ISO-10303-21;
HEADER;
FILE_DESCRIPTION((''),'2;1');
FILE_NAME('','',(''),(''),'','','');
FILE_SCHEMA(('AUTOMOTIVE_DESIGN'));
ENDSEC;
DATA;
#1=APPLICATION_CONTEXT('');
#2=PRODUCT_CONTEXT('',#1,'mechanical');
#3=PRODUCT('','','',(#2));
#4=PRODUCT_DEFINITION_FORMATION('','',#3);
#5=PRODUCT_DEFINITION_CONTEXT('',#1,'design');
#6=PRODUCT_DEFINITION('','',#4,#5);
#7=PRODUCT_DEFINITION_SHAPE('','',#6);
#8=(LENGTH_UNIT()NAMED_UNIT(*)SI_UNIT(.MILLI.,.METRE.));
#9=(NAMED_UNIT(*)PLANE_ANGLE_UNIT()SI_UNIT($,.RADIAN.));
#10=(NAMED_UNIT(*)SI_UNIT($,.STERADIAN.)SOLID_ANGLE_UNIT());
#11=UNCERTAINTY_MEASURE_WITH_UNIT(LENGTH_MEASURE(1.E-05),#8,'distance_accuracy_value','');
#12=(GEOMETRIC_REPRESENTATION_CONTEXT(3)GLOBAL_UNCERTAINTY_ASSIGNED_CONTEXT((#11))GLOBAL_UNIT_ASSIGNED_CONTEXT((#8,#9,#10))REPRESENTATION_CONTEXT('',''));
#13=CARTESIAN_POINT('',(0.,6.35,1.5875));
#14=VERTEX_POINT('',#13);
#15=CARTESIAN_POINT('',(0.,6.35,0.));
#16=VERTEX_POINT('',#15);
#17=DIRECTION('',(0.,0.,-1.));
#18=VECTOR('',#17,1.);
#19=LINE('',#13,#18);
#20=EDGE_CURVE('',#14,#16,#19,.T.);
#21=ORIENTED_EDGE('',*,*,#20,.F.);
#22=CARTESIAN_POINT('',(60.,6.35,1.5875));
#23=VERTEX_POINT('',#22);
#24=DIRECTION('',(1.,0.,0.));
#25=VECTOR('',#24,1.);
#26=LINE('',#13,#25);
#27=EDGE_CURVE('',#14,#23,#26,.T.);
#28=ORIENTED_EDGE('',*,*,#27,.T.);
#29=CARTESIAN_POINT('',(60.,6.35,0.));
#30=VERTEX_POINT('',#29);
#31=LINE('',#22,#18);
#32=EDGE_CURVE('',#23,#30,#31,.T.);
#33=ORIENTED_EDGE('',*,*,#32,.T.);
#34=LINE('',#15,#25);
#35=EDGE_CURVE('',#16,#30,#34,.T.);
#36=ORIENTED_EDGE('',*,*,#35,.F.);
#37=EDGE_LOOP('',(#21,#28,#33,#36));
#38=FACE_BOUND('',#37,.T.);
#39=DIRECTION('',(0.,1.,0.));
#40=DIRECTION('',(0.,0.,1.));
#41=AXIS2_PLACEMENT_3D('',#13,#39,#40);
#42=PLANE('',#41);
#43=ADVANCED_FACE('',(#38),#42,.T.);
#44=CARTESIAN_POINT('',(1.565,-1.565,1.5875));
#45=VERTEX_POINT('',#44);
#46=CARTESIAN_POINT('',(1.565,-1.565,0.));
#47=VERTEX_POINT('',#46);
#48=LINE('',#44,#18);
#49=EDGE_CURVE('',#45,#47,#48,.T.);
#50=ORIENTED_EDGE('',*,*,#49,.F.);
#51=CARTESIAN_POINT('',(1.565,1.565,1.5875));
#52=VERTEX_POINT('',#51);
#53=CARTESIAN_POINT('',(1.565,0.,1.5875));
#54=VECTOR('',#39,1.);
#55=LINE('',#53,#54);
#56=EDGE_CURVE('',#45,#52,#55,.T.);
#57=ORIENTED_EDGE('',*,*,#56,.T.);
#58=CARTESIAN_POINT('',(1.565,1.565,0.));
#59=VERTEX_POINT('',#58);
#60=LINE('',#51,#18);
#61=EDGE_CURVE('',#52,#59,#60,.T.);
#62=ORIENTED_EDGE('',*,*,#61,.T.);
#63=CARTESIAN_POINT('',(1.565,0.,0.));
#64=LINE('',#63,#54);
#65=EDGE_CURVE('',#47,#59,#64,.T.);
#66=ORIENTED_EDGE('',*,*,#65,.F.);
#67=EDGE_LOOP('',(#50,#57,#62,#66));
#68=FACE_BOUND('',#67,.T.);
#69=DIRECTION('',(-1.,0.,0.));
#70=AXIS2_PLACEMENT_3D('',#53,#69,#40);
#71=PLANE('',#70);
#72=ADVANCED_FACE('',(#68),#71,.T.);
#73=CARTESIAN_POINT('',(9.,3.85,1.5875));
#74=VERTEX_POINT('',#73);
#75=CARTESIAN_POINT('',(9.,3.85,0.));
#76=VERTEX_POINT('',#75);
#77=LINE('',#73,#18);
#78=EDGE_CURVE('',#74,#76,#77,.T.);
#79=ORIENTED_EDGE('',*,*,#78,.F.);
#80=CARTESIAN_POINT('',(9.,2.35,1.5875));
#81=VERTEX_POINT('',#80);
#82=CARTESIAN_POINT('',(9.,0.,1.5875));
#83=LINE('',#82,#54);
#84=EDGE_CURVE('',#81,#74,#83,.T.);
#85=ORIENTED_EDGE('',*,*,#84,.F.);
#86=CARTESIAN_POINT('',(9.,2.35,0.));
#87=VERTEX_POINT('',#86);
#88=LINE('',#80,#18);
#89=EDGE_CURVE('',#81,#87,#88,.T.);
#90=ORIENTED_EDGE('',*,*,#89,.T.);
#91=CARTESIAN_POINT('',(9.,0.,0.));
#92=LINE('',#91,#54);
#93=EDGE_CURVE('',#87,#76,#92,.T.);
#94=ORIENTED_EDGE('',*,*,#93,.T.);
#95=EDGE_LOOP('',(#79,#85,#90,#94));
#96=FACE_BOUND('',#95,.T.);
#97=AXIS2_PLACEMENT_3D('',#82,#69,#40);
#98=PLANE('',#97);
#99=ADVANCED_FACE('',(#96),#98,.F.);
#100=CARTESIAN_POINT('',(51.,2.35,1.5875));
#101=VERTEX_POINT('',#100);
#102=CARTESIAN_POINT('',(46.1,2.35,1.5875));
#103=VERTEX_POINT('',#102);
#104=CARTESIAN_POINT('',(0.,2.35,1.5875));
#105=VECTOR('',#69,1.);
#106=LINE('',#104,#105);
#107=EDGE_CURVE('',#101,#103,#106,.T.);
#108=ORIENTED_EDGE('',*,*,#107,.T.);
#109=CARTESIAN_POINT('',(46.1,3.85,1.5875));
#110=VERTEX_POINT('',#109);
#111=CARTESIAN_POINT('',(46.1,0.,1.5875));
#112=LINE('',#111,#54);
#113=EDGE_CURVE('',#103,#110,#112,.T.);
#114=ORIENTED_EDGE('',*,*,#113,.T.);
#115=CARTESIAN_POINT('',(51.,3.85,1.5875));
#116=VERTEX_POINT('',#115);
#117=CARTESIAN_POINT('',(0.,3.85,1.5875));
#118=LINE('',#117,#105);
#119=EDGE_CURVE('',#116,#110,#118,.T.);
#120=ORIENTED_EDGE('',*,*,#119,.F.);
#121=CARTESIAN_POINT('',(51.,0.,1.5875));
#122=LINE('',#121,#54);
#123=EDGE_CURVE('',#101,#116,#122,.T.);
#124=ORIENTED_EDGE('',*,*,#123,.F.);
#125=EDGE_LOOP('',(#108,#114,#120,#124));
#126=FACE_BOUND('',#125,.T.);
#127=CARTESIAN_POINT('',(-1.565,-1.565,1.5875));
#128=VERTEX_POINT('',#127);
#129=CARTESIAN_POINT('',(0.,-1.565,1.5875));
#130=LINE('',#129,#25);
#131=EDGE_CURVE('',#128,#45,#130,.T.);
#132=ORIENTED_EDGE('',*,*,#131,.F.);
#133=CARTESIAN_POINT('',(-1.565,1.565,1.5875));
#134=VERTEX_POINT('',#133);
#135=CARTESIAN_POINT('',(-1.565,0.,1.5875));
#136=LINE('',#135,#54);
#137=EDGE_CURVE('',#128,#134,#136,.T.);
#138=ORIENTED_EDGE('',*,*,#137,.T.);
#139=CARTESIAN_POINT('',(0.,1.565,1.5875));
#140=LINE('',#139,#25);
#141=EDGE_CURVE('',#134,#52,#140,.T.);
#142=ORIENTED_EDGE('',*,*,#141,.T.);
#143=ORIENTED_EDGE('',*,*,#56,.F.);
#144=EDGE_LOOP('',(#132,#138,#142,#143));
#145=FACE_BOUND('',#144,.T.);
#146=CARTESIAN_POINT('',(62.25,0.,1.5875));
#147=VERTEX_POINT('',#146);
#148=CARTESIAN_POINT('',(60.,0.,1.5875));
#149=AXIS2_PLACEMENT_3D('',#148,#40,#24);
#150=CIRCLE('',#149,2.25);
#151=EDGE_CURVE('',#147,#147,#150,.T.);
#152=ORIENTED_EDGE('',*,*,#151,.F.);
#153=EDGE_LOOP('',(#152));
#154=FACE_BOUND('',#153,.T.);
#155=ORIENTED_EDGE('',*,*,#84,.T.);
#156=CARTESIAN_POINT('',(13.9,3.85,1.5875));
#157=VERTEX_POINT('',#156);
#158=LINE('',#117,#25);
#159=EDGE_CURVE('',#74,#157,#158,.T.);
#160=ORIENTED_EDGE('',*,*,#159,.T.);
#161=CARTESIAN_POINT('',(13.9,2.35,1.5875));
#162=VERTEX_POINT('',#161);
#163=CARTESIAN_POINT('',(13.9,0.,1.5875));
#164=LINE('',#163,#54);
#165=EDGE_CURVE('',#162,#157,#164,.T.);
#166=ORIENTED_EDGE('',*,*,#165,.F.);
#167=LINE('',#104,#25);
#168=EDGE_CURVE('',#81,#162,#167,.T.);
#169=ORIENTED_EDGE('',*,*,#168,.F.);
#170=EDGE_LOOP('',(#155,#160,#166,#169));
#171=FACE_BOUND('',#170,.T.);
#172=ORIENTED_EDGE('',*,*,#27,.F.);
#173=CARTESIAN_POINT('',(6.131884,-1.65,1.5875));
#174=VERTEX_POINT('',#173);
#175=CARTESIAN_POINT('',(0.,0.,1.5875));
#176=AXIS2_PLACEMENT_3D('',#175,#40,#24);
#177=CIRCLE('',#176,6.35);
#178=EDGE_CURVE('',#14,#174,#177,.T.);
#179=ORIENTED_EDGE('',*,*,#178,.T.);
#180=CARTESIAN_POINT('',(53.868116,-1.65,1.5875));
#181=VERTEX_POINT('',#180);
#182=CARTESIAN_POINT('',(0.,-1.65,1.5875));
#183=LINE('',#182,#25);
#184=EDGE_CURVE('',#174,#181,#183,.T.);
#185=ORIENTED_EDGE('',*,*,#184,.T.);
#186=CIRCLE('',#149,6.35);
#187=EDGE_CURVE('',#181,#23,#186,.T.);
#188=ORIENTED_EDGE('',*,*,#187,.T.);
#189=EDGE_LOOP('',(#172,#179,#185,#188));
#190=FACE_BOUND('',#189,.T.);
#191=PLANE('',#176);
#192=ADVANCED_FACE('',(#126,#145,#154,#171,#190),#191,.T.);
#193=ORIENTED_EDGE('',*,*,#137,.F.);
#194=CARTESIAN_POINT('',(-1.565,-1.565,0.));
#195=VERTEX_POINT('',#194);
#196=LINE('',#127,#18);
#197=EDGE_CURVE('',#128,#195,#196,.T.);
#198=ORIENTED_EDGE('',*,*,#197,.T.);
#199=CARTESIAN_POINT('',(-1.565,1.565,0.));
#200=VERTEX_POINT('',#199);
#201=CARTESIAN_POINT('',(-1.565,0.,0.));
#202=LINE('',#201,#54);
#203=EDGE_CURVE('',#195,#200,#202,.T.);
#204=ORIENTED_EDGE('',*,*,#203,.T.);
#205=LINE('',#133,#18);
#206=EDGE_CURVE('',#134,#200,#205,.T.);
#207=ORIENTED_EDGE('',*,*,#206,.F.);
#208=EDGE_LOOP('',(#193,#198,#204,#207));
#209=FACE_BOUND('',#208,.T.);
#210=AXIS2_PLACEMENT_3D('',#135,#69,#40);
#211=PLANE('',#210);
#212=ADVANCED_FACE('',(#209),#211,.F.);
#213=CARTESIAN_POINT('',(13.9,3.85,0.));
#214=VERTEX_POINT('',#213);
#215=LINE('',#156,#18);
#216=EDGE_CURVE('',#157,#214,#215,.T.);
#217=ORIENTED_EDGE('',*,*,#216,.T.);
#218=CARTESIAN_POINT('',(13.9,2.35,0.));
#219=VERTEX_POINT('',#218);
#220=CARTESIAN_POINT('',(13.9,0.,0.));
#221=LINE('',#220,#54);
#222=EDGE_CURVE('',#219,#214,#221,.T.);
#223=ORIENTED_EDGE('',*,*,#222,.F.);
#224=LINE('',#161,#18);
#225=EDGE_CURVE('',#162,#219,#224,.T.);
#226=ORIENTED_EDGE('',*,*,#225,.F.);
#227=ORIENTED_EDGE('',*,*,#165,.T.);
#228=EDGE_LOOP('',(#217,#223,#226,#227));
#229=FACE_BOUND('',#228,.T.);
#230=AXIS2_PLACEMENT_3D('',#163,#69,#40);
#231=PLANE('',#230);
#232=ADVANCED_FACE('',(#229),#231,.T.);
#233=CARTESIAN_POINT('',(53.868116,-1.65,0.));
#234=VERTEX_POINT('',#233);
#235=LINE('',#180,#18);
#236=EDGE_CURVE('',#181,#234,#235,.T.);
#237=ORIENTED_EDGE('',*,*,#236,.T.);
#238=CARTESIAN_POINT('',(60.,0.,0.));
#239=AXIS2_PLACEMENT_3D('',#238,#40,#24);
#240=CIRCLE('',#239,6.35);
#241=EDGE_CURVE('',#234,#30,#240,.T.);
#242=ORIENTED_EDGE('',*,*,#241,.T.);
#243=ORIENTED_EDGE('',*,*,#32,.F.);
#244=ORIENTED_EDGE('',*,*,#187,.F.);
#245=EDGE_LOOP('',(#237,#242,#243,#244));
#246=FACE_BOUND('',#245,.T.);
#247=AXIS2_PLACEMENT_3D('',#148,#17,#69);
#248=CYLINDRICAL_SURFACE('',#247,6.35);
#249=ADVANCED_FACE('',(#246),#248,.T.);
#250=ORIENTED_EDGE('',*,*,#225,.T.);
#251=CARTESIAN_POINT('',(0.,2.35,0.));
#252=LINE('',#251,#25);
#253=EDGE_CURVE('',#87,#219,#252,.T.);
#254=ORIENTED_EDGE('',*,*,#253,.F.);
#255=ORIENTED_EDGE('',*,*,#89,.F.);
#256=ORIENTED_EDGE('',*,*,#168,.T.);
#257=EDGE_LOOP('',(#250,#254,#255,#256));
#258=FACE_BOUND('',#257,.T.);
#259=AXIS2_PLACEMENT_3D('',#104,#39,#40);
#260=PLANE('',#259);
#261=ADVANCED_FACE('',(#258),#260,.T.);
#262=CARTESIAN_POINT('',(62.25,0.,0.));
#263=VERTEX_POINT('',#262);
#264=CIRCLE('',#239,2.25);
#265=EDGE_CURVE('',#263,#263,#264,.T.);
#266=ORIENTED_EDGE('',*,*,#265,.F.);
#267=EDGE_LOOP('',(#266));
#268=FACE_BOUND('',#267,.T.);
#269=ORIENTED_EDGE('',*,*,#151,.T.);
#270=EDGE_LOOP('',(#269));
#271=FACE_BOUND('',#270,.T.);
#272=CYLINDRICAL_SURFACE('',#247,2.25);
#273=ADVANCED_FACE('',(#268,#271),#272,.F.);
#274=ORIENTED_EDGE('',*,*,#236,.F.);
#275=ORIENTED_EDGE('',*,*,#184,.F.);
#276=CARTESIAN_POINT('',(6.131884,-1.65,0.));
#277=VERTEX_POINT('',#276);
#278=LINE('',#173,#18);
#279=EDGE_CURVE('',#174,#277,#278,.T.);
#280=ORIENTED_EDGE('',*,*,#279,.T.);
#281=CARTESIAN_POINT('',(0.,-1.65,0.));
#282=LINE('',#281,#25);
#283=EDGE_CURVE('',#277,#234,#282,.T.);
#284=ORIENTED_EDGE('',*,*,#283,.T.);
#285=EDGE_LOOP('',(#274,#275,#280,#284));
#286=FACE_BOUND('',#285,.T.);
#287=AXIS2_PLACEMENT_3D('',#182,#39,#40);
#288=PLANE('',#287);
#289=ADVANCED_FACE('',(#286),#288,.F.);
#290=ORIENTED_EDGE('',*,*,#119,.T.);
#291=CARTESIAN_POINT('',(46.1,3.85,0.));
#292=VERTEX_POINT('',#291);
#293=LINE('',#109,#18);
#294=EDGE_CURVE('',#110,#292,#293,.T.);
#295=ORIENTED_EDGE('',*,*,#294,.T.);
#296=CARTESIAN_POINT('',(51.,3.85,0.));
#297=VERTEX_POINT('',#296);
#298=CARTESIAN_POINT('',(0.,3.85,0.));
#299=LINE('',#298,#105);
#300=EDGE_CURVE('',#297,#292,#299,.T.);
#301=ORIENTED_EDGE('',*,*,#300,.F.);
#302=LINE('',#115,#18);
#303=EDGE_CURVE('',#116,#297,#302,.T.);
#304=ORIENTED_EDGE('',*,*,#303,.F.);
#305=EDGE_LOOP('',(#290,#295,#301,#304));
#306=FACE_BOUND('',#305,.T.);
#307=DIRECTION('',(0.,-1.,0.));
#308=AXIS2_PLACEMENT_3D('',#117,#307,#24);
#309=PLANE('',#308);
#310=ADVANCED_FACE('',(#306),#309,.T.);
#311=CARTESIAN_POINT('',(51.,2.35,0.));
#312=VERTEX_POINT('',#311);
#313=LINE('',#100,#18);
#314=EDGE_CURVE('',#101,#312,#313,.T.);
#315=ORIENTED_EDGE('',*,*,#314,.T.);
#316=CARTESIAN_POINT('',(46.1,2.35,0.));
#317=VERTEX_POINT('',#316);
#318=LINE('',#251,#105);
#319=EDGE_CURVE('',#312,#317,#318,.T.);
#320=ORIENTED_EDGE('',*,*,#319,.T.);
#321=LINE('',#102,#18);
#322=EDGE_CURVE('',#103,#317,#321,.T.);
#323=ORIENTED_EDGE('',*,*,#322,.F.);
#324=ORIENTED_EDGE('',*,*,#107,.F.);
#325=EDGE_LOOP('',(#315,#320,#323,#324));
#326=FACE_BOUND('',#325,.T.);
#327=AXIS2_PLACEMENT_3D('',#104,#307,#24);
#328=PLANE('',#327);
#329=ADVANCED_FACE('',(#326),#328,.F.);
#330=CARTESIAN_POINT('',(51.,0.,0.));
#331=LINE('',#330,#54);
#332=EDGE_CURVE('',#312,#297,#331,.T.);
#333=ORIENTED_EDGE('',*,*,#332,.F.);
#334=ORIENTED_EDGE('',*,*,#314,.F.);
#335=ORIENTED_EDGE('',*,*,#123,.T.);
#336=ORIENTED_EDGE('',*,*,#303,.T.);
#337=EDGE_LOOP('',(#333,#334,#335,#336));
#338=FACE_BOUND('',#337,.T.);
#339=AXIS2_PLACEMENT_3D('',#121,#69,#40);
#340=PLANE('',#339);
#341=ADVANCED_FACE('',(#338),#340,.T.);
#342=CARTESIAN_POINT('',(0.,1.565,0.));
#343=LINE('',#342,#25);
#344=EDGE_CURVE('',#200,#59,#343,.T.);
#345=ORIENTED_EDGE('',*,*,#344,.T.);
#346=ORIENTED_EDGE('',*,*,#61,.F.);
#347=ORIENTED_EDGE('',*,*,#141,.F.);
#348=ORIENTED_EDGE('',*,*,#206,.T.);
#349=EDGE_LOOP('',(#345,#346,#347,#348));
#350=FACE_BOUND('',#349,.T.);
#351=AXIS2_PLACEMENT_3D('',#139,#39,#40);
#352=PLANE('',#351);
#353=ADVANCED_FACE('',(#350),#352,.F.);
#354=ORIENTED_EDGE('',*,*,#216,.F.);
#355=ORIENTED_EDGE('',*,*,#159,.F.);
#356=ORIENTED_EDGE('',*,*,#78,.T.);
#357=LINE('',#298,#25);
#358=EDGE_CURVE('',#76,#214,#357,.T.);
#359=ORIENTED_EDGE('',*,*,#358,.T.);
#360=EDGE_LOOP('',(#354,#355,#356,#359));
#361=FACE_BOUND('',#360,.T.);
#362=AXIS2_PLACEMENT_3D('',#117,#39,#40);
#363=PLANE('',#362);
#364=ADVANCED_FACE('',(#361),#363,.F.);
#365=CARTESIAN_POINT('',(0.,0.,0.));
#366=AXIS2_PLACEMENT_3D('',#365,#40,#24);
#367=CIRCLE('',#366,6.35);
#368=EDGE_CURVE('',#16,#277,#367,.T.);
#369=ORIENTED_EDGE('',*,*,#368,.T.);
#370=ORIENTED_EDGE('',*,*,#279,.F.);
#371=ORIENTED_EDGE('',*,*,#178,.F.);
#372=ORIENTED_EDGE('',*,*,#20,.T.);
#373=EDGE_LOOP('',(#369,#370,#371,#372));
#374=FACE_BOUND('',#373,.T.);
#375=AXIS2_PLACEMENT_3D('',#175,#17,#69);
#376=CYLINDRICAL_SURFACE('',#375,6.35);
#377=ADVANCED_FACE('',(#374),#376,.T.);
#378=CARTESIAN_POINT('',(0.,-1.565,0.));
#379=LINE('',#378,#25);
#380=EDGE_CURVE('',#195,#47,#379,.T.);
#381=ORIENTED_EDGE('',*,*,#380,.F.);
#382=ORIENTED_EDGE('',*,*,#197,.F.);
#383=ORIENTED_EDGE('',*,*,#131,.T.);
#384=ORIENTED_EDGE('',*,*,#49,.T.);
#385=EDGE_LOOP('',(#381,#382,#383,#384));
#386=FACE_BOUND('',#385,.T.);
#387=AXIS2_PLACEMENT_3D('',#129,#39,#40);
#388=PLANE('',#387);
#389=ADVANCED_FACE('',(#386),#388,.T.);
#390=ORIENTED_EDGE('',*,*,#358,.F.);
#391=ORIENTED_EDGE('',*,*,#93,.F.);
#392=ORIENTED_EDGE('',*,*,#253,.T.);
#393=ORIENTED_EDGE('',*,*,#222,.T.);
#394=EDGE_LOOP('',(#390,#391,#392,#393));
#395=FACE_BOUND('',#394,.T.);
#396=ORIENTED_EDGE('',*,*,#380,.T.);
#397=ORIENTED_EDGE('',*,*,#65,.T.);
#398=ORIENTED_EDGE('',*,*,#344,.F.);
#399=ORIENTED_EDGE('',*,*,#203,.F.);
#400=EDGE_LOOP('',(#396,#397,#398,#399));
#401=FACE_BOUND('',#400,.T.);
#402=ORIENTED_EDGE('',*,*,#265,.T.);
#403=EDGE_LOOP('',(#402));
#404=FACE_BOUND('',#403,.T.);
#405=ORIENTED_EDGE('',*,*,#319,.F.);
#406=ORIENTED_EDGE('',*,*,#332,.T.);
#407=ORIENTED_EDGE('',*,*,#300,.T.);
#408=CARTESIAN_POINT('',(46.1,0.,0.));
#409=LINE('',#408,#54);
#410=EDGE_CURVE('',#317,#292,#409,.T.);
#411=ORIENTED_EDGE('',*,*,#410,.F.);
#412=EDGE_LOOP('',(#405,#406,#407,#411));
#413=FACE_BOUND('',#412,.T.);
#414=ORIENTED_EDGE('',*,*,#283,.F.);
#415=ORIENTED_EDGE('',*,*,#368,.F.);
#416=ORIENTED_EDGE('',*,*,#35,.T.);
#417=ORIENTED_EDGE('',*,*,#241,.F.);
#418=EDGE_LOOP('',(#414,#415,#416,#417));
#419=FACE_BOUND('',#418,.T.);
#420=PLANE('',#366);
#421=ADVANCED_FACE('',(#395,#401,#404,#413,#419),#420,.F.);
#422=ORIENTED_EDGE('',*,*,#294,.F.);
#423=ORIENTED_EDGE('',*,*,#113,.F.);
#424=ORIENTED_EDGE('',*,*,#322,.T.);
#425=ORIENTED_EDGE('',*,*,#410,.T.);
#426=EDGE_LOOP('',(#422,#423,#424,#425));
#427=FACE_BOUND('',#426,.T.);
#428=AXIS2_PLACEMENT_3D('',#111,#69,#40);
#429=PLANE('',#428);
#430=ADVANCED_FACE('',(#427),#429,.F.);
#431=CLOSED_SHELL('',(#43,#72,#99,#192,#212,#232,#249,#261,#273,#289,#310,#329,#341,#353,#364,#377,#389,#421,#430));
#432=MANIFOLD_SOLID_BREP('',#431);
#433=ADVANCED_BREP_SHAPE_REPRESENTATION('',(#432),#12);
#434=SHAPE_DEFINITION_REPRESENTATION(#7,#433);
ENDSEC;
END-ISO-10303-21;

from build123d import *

# Parameters (mm, degrees)
SKETCH1_W           = 4.9
SKETCH1_H           = 1.5
SKETCH1_R           = 6.35
SKETCH1_W_2         = 3.13
SKETCH1_H_2         = 3.13
SKETCH1_R_2         = 2.25
BOSS_EXTRUDE1_DEPTH = 1.5875


with BuildPart() as part:
    # Sketch1 → Boss-Extrude1 (new body)
    # profile 1 of 3: a face of its own
    with BuildSketch(Plane.XY):
        with BuildLine():
            Line((60, 6.35), (0, 6.35))
            ThreePointArc((0, 6.35), (4.490128061, 4.490128061), (6.35, 0))
            ThreePointArc((6.35, 0), (6.295234812, -0.83217706), (6.131883887, -1.65))
            Line((6.131883887, -1.65), (53.868116113, -1.65))
            ThreePointArc((53.868116113, -1.65), (54.960158733, 3.862965182), (60, 6.35))
        make_face()
        with Locations((11.45, 3.1)):
            Rectangle(SKETCH1_W, SKETCH1_H, mode=Mode.SUBTRACT)
        with Locations((48.55, 3.1)):
            Rectangle(SKETCH1_W, SKETCH1_H, mode=Mode.SUBTRACT)
    # profile 2 of 3: a face of its own
    with BuildSketch(Plane.XY):
        Circle(SKETCH1_R)
        Rectangle(SKETCH1_W_2, SKETCH1_H_2, mode=Mode.SUBTRACT)
    # profile 3 of 3: a face of its own
    with BuildSketch(Plane.XY):
        with Locations((60, 0)):
            Circle(SKETCH1_R)
        with Locations((60, 0)):
            Circle(SKETCH1_R_2, mode=Mode.SUBTRACT)
    extrude(amount=BOSS_EXTRUDE1_DEPTH)


solid = part.part
